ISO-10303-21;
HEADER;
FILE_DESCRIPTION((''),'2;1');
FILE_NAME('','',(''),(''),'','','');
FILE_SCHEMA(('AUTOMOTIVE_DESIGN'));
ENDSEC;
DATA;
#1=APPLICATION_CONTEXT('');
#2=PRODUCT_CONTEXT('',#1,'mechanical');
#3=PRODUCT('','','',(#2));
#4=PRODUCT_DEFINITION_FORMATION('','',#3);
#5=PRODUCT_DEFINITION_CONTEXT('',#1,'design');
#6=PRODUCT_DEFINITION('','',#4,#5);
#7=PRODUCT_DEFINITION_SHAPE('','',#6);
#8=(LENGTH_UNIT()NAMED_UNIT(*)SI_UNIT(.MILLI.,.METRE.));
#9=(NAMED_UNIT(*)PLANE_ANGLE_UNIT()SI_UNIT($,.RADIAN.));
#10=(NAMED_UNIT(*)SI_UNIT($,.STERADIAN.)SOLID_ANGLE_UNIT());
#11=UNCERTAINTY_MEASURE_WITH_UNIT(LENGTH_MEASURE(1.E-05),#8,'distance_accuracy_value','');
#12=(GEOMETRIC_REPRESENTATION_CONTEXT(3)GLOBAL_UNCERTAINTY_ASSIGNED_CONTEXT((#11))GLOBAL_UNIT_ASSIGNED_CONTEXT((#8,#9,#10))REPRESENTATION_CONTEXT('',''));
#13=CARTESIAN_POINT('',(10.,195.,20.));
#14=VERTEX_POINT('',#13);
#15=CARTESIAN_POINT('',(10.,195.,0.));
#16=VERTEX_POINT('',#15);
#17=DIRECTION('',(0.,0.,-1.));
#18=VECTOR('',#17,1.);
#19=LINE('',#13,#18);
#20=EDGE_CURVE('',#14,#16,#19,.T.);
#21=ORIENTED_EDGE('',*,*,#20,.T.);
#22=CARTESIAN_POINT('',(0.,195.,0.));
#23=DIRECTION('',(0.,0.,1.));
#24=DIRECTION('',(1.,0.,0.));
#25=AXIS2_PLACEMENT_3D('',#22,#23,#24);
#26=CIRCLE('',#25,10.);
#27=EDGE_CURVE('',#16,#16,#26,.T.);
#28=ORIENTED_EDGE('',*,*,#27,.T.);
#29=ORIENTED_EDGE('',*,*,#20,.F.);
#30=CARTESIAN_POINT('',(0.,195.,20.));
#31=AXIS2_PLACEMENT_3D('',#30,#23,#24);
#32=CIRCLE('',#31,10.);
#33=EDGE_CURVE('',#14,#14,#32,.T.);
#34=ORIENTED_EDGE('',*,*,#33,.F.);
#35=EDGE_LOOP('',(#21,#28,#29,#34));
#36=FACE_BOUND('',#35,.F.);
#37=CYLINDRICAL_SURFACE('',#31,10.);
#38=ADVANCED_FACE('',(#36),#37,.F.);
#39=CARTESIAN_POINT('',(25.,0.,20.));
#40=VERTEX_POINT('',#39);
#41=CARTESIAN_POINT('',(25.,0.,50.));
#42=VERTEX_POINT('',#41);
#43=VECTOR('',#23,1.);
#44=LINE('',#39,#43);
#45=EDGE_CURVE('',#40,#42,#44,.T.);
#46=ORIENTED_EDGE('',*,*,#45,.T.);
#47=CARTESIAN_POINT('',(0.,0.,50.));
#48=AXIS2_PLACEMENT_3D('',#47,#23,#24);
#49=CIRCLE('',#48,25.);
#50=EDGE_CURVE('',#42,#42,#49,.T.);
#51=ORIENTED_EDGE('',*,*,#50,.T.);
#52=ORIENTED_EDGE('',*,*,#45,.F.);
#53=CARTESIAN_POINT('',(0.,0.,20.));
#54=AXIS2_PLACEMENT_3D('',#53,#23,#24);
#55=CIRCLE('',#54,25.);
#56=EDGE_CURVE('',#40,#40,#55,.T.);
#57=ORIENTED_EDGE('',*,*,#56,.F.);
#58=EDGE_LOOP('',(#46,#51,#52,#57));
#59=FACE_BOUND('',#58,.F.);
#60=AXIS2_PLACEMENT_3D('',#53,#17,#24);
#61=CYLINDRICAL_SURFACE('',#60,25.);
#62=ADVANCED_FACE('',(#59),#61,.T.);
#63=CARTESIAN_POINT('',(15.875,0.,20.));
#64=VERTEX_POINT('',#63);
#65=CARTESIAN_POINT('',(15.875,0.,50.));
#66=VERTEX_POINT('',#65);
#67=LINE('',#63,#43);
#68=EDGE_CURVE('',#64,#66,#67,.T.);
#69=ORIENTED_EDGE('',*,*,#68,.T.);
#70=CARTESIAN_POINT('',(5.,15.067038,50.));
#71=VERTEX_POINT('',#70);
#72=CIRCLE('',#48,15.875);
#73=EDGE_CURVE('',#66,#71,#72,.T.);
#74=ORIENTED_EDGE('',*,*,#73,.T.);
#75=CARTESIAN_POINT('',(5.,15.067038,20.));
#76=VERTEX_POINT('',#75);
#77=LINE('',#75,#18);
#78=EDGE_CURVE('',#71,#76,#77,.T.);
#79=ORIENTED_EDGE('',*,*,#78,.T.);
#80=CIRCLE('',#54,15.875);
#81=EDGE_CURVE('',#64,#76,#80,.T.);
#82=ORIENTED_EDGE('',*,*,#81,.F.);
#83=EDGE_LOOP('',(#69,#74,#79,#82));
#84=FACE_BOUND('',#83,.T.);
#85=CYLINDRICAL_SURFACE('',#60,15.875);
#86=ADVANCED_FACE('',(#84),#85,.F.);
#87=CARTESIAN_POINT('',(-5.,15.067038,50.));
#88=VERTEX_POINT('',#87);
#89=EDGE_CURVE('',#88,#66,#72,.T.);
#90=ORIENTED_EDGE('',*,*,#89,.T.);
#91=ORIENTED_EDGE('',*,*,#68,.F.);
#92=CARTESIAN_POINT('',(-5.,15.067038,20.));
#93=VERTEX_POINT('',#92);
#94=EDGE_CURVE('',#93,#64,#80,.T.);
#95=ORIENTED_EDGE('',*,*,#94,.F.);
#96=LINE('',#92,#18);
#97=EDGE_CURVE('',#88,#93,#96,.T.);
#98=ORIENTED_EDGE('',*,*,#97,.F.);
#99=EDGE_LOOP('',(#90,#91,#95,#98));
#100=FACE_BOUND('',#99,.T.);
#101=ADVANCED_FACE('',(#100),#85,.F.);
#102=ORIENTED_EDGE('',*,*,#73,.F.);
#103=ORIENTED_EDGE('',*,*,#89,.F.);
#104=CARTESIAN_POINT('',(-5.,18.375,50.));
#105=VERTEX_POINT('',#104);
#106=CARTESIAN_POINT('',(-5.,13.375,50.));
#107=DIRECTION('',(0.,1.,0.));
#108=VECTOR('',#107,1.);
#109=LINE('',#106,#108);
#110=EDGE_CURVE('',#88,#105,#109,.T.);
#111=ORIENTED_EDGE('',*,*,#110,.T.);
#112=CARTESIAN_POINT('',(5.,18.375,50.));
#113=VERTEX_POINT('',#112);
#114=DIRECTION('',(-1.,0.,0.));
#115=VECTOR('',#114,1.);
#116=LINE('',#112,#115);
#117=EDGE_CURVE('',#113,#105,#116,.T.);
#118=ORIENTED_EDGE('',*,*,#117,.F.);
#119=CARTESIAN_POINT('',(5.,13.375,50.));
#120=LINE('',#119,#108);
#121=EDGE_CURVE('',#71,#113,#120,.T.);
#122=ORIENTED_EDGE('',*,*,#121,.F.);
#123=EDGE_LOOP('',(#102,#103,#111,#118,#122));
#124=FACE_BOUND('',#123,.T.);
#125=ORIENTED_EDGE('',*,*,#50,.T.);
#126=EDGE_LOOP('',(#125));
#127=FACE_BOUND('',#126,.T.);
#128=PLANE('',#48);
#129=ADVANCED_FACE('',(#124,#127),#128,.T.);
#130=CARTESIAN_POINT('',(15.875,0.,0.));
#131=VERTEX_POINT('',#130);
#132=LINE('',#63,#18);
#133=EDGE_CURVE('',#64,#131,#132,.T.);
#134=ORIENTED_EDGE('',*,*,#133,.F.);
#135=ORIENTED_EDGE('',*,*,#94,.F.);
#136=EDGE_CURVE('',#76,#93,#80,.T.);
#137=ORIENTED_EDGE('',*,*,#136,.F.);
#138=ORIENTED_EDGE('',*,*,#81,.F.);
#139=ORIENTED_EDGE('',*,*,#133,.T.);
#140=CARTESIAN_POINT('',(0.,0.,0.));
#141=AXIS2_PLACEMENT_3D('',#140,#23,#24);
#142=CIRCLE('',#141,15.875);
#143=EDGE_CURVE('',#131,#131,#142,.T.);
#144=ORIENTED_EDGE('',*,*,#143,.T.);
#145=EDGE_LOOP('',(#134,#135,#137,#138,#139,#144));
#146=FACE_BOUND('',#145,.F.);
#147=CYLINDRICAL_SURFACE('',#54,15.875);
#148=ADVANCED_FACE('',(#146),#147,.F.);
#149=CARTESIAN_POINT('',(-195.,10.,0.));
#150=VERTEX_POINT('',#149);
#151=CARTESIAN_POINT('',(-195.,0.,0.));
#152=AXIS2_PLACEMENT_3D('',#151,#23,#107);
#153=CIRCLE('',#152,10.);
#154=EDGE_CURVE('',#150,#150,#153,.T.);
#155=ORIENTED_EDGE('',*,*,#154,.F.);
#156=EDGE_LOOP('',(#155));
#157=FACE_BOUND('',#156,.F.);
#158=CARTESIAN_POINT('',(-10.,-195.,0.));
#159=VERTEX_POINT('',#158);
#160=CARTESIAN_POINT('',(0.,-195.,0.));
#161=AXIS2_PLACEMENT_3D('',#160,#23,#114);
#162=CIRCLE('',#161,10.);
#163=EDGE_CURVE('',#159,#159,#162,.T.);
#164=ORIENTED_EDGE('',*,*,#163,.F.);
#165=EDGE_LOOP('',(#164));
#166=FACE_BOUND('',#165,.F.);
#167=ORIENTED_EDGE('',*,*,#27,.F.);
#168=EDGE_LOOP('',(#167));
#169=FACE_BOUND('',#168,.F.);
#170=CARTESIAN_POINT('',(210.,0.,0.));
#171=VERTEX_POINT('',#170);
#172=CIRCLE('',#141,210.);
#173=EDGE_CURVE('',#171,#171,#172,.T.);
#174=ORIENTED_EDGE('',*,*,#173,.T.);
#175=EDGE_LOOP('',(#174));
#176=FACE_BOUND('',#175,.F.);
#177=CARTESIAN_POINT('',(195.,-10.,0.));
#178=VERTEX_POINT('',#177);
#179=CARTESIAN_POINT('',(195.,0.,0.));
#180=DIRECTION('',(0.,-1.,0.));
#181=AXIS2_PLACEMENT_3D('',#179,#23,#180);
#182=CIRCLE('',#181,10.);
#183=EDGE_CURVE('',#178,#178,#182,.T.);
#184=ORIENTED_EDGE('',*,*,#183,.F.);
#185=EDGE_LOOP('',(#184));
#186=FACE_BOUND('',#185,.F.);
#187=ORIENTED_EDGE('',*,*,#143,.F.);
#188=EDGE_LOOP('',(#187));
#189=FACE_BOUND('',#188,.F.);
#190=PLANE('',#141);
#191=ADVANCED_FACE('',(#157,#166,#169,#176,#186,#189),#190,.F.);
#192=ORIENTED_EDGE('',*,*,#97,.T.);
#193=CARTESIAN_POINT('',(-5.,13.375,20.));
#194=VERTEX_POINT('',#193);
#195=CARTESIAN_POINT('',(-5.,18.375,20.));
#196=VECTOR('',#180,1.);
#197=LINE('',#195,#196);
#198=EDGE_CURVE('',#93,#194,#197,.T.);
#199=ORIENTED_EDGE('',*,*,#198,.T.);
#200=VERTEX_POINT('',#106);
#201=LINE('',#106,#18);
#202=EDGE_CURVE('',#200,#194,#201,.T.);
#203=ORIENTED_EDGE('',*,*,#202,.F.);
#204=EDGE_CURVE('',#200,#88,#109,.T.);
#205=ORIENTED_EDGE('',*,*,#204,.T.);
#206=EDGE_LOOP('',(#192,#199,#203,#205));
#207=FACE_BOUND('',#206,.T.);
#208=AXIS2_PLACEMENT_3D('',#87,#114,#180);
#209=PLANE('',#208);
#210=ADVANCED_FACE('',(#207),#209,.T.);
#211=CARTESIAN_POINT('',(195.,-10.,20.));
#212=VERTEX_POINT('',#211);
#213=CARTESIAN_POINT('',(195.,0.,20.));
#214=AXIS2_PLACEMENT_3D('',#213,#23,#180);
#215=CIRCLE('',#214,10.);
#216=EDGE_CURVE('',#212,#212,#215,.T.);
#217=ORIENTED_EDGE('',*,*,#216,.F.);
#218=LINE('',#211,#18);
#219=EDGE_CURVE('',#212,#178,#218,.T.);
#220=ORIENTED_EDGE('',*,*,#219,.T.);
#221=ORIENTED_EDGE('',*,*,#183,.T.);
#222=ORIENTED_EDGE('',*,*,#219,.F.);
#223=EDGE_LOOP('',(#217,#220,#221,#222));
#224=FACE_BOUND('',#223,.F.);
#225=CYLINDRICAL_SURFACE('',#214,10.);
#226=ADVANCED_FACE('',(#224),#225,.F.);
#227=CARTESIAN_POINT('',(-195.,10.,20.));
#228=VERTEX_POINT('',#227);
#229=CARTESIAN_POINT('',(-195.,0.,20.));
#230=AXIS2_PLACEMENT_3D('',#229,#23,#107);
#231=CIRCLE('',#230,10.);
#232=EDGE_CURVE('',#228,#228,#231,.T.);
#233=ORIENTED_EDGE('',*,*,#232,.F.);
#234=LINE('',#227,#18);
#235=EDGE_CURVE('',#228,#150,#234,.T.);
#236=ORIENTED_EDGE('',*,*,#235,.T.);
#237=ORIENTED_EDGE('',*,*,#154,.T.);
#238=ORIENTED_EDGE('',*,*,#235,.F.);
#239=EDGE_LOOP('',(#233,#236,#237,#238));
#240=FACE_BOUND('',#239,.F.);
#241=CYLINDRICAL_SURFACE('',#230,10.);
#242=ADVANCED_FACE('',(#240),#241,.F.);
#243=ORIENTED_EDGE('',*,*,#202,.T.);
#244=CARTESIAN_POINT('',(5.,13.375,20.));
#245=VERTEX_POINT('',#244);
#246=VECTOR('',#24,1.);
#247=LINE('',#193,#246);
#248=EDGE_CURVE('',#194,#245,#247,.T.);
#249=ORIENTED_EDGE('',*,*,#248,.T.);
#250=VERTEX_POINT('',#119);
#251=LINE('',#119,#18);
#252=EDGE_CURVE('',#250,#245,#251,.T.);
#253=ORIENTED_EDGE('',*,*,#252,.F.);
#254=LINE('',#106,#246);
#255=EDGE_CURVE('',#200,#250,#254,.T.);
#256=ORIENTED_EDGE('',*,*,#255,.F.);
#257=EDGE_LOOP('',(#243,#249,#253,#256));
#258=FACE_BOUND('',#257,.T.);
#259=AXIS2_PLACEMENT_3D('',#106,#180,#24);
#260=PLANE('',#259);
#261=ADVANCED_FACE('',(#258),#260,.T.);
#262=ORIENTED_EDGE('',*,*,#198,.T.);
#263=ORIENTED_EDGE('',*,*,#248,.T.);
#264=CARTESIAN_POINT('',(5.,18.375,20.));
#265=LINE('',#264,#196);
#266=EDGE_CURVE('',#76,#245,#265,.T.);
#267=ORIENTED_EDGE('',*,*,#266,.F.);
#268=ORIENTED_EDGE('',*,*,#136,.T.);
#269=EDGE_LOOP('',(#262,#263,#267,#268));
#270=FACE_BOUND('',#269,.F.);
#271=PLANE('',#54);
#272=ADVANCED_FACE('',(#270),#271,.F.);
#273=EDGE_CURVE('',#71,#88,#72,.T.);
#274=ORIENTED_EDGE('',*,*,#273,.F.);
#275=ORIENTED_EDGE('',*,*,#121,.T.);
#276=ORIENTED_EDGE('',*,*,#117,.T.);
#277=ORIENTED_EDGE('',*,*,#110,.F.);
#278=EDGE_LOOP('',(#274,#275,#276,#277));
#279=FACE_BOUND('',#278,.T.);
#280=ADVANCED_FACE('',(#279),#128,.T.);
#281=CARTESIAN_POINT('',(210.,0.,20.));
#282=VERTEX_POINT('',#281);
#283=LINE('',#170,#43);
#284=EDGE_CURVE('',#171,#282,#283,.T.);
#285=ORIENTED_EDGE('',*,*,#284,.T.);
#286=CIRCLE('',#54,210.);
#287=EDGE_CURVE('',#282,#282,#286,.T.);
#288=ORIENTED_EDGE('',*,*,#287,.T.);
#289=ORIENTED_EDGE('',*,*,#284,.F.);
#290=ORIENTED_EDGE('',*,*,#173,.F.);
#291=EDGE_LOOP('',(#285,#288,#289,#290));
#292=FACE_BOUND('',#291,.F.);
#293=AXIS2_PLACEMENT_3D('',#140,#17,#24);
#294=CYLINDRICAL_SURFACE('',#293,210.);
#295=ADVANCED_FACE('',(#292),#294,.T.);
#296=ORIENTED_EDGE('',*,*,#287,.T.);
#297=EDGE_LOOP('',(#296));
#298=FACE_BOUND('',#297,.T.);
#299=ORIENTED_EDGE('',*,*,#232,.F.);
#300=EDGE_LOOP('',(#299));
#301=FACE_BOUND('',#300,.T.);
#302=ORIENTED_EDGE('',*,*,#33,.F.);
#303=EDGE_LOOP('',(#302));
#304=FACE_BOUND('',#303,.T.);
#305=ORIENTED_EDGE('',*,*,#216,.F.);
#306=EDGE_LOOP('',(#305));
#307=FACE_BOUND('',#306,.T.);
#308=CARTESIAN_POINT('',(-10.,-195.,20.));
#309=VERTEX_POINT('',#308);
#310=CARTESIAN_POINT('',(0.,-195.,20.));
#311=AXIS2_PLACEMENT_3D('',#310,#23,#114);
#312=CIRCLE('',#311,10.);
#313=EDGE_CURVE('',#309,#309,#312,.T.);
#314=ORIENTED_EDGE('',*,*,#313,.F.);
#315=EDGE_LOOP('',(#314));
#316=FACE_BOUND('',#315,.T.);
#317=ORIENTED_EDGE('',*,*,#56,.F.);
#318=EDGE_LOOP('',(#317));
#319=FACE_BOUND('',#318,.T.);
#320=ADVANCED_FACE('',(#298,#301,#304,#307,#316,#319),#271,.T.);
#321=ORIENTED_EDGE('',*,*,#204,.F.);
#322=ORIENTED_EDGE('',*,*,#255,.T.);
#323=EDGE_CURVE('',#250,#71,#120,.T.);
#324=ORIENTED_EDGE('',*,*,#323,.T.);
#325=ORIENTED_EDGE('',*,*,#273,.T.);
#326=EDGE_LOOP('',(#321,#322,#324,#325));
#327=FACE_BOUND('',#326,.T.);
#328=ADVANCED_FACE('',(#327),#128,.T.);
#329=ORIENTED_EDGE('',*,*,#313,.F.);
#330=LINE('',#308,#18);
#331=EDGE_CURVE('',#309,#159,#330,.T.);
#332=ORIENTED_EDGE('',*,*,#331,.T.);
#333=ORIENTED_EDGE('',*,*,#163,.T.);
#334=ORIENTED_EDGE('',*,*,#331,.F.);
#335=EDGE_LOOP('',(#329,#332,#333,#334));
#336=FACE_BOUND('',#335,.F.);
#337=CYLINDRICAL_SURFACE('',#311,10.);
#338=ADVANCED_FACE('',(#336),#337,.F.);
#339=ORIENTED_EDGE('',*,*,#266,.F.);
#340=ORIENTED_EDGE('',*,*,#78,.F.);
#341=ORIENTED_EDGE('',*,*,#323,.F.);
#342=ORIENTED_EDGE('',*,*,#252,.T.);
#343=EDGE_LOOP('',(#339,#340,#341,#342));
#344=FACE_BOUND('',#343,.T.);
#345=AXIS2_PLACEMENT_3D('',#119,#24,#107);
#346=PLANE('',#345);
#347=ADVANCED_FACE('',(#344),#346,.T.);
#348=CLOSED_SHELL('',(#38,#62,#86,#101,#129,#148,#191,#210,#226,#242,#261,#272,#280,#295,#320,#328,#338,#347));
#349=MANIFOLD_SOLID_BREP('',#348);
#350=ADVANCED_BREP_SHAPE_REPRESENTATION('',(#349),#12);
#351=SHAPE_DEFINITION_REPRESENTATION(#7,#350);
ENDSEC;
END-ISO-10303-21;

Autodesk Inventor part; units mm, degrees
ref_plane "YZ Plane" through (0, 0, 0) normal (1, 0, 0) x (0, 1, 0)
ref_plane "XZ Plane" through (0, 0, 0) normal (0, 1, 0) x (-1, 0, 0)
ref_plane "XY Plane" through (0, 0, 0) normal (0, 0, 1) x (1, 0, 0)
sketch "Sketch1" plane through (0, 0, 0) normal (0, 0, 1) x (1, 0, 0)
  point P0 (0, 0)
sketch "Sketch2" plane through (0, 0, 0) normal (0, 0, 1) x (1, 0, 0)
  circle A0 centre (0, 0) radius 210
  dimension "d0" = 420
extrude "Extrusion1" add sketch "Sketch2" along normal blind 20
sketch "Sketch3" plane through (0, 0, 20) normal (0, 0, 1) x (1, 0, 0)
  circle A0 centre (0, 0) radius 25
  circle A1 centre (0, 0) radius 15.875
  dimension "d6" = 50
  dimension "d7" = 31.75
extrude "Extrusion2" add sketch "Sketch3" along normal blind 30
extrude "Extrusion3" cut sketch "Sketch3" against normal blind 20 contours A1
sketch "Sketch4" plane through (0, 0, 20) normal (0, 0, 1) x (1, 0, 0)
  circle A0 centre (0, 0) radius 15.875 projected
  circle A1 centre (0, 0) radius 180
  circle A2 centre (0, 195) radius 10
  dimension "d12" = 360
  dimension "d13" = 20
  dimension "d23" = 195
extrude "Extrusion4" cut sketch "Sketch4" against normal blind 20 contours A2
sketch "Sketch5" plane through (0, 0, 50) normal (0, 0, 1) x (1, 0, 0)
  line L0 (-5, 13.375) -> (5, 13.375)
  line L1 (5, 13.375) -> (5, 18.375)
  line L2 (5, 18.375) -> (-5, 18.375)
  line L3 (-5, 18.375) -> (-5, 13.375)
  circle A0 centre (0, 0) radius 15.875 projected
  line L4 (-5, 13.375) -> (5, 18.375) construction
  line L5 (5, 13.375) -> (-5, 18.375) construction
  point P0 (0, 15.875)
  point P1 (-5, 15.067)
  point P2 (5, 15.067)
  dimension "d19" = 10
  dimension "d20" = 5
extrude "Extrusion5" add sketch "Sketch5" against normal blind 30 contours L3 A0 L1 L0 | L3 L2 L1 A0 picked at (-0.5641, 14.1782)
pattern_circular "Circular Pattern1" count 4 over 360 about axis through (0, 0, 0) along (0, 0, 1) of "Extrusion4"
properties part number "Rotary Motor Coupling"
